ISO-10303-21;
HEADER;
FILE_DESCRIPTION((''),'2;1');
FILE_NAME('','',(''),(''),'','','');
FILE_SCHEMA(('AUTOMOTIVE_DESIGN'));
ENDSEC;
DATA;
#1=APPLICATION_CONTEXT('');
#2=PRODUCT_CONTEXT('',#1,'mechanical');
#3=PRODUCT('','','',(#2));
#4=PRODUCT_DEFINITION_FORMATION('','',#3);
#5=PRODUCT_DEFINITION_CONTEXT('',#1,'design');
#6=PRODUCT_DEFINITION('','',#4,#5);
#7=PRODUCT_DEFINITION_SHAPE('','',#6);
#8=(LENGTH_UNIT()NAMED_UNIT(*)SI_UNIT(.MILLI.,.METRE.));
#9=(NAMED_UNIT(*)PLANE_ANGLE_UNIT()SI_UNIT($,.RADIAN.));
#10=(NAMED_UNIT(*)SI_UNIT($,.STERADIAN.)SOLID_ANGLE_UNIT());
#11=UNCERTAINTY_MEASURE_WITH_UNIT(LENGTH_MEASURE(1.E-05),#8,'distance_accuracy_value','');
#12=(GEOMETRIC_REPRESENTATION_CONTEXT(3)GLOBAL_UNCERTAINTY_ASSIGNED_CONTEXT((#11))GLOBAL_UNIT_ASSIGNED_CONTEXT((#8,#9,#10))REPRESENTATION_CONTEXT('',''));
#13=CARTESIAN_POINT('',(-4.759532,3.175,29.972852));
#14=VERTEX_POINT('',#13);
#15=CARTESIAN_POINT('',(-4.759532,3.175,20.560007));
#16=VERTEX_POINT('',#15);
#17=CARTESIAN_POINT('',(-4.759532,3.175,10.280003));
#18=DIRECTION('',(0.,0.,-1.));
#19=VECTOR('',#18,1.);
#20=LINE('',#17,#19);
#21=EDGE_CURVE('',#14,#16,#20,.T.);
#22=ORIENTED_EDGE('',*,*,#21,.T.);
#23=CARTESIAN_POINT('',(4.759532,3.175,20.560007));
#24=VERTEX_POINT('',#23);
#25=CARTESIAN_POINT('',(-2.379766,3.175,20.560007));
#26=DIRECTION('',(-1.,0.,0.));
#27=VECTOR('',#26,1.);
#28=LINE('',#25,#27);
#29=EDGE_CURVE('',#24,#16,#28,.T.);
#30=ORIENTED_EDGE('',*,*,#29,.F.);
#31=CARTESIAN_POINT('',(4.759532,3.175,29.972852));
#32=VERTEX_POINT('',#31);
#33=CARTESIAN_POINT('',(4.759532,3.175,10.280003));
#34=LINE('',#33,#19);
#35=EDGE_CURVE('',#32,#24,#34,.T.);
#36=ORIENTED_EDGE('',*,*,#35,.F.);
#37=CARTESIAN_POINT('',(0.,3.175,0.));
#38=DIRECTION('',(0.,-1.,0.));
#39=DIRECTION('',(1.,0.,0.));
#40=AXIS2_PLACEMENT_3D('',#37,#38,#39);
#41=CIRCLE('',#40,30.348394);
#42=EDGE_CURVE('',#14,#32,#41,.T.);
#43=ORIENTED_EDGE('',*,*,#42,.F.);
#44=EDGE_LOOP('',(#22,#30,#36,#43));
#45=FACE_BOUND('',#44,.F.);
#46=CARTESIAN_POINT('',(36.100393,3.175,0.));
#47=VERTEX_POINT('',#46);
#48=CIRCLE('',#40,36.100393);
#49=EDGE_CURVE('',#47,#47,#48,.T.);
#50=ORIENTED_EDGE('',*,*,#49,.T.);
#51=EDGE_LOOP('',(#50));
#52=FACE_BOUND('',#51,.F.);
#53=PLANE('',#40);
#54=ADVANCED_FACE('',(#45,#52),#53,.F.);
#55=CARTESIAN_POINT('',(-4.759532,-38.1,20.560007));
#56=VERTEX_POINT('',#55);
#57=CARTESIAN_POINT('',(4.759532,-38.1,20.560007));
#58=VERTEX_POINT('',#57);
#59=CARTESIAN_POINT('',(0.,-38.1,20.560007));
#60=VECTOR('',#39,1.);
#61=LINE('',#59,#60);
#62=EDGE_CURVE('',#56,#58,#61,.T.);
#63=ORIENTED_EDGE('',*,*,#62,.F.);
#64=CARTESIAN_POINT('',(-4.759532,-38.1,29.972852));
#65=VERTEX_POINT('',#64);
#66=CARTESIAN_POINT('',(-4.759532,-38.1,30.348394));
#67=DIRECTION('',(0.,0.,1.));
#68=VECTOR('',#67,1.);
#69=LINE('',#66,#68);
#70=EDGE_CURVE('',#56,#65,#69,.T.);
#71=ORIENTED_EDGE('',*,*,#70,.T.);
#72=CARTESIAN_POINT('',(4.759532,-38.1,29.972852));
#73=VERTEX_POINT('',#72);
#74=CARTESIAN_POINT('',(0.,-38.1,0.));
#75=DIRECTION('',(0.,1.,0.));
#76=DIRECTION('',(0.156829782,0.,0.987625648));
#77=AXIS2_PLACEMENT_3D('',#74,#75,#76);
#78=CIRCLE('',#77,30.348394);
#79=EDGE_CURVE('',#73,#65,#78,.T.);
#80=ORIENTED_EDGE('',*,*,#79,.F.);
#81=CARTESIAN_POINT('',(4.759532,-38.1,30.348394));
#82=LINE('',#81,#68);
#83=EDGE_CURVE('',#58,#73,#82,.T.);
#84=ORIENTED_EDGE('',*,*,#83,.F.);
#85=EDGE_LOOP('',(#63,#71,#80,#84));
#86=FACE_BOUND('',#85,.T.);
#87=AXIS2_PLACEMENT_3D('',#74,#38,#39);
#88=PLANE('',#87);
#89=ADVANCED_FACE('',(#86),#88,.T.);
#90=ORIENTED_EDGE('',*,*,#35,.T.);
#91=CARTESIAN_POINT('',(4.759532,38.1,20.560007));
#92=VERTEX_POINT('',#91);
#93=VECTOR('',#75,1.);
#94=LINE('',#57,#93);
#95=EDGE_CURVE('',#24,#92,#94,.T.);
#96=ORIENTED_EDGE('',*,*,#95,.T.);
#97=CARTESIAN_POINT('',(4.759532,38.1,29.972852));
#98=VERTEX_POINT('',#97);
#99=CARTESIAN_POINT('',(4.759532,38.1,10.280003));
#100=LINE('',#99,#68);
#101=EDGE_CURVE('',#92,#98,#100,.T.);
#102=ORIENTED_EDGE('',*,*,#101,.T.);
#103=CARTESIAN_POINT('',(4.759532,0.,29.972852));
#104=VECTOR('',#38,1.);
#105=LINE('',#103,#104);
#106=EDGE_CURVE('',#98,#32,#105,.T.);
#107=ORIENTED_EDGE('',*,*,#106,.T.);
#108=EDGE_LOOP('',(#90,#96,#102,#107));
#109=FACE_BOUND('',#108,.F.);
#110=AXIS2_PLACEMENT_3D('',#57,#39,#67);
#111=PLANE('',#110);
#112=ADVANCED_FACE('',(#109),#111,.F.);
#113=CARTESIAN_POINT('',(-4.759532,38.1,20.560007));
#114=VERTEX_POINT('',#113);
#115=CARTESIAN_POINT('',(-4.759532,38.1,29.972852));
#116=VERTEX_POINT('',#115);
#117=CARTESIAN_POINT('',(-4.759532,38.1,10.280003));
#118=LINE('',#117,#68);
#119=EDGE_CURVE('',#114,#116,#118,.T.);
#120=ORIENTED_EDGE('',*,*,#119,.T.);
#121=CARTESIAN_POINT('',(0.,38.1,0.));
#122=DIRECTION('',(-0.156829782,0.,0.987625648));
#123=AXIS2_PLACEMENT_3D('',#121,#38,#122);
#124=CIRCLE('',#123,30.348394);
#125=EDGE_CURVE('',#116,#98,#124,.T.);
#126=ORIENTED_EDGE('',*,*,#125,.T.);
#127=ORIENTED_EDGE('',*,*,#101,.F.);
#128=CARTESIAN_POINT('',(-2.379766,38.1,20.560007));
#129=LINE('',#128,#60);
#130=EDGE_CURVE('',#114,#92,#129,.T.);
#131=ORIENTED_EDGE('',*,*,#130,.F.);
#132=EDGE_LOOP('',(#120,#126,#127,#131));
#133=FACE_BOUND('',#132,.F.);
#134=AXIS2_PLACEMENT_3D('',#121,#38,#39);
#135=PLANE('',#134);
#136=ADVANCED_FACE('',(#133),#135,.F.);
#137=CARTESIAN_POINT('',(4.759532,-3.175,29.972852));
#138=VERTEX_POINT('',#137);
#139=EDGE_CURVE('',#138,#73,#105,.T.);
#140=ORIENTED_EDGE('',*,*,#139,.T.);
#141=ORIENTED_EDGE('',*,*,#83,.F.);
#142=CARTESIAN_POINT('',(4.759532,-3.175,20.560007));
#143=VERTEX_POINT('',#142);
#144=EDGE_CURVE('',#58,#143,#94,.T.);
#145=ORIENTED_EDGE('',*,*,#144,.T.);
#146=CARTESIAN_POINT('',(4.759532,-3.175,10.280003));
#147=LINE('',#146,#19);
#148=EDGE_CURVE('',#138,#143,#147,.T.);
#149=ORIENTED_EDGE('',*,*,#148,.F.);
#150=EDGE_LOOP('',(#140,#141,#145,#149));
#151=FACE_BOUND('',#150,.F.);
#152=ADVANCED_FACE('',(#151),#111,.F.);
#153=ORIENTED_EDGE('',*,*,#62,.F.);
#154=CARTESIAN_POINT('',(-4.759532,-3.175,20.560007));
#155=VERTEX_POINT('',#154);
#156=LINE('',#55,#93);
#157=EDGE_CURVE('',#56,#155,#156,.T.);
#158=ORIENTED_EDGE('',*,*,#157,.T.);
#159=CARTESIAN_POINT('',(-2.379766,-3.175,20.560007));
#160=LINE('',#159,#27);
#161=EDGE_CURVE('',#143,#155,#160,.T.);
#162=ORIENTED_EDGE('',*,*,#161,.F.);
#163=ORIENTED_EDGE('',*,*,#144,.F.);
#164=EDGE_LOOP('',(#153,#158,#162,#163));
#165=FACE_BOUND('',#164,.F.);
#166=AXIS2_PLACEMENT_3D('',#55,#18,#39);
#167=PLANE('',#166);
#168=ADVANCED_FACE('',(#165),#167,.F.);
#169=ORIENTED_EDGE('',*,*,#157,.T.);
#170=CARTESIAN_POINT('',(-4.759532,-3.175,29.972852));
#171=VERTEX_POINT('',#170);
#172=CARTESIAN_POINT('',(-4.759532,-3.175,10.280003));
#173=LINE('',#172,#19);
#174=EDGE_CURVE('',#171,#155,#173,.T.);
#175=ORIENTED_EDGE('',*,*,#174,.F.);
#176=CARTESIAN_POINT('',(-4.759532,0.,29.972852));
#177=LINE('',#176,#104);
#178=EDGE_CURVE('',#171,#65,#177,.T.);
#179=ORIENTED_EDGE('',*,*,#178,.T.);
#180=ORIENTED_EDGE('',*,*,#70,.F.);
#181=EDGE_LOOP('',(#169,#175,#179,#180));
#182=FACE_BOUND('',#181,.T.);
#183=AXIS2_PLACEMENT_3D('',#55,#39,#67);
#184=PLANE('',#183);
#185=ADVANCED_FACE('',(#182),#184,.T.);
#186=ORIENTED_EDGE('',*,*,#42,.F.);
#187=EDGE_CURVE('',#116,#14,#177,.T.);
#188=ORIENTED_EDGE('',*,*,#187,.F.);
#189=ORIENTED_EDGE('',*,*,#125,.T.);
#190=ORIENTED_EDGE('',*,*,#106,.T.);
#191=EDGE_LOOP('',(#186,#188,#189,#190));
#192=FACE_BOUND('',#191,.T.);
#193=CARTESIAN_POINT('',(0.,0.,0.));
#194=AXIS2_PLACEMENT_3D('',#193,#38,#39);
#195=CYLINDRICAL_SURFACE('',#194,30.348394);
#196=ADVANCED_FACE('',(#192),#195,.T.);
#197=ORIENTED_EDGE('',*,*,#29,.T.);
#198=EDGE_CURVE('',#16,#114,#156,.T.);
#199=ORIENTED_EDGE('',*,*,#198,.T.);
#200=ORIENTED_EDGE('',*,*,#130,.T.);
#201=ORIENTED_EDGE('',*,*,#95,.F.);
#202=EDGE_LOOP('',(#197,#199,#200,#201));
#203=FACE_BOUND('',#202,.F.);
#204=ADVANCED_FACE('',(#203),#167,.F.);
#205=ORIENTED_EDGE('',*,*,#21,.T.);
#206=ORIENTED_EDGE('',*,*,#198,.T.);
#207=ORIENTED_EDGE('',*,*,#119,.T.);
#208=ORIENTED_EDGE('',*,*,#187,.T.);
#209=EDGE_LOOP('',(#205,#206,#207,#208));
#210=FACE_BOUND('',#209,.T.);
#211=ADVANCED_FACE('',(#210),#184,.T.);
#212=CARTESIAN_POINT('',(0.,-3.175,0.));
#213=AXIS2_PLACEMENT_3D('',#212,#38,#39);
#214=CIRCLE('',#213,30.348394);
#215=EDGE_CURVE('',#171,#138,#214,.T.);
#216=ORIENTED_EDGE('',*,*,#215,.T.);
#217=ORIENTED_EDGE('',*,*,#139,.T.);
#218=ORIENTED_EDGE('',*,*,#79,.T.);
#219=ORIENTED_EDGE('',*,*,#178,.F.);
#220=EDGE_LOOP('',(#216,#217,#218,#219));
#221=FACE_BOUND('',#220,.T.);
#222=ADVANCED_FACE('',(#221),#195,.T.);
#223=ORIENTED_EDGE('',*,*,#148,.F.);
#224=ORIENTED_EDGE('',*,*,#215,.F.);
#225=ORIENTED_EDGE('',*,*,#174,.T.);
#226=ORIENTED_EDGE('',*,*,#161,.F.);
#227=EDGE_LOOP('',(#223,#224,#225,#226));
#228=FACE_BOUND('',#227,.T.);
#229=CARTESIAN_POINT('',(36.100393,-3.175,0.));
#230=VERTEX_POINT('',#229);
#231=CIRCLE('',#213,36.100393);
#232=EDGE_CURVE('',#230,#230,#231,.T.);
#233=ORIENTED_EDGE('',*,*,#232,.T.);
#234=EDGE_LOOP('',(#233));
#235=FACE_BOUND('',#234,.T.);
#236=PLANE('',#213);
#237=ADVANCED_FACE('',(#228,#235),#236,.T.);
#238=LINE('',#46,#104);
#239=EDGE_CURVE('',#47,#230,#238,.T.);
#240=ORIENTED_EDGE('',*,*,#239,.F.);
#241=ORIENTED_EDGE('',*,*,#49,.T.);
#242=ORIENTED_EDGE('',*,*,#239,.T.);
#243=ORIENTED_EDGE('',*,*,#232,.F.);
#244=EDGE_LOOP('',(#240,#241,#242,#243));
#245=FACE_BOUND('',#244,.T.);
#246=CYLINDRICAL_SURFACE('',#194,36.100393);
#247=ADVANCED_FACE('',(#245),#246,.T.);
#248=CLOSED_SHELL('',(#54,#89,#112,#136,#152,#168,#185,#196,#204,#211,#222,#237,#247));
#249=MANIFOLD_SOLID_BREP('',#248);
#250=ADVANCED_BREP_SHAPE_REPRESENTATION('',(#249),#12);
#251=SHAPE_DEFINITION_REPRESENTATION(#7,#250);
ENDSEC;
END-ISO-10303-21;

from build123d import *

# Parameters (mm, degrees)
F0_R     = 30.348394
F1_DEPTH = 38.1
F2_W     = 9.519064
F2_H     = 19.576774
F3_DEPTH = 101.6
F4_R     = 36.100393
F5_DEPTH = 3.175


with BuildPart() as f1:
    # F0 (on Front) → F1 (new body, symmetric)
    with BuildSketch(Plane.XZ):
        Circle(F0_R)
    extrude(amount=F1_DEPTH, both=True)

    # F2 (on face) → F3 (cut)
    with BuildSketch(Plane.XZ.offset(38.1)):
        with Locations((0, 30.348394)):
            Rectangle(F2_W, F2_H)
    extrude(amount=-F3_DEPTH, mode=Mode.SUBTRACT)

    # F4 (on Front) → F5 (join, symmetric)
    with BuildSketch(Plane.XZ):
        Circle(F4_R)
    extrude(amount=F5_DEPTH, both=True)


solid = f1.part
